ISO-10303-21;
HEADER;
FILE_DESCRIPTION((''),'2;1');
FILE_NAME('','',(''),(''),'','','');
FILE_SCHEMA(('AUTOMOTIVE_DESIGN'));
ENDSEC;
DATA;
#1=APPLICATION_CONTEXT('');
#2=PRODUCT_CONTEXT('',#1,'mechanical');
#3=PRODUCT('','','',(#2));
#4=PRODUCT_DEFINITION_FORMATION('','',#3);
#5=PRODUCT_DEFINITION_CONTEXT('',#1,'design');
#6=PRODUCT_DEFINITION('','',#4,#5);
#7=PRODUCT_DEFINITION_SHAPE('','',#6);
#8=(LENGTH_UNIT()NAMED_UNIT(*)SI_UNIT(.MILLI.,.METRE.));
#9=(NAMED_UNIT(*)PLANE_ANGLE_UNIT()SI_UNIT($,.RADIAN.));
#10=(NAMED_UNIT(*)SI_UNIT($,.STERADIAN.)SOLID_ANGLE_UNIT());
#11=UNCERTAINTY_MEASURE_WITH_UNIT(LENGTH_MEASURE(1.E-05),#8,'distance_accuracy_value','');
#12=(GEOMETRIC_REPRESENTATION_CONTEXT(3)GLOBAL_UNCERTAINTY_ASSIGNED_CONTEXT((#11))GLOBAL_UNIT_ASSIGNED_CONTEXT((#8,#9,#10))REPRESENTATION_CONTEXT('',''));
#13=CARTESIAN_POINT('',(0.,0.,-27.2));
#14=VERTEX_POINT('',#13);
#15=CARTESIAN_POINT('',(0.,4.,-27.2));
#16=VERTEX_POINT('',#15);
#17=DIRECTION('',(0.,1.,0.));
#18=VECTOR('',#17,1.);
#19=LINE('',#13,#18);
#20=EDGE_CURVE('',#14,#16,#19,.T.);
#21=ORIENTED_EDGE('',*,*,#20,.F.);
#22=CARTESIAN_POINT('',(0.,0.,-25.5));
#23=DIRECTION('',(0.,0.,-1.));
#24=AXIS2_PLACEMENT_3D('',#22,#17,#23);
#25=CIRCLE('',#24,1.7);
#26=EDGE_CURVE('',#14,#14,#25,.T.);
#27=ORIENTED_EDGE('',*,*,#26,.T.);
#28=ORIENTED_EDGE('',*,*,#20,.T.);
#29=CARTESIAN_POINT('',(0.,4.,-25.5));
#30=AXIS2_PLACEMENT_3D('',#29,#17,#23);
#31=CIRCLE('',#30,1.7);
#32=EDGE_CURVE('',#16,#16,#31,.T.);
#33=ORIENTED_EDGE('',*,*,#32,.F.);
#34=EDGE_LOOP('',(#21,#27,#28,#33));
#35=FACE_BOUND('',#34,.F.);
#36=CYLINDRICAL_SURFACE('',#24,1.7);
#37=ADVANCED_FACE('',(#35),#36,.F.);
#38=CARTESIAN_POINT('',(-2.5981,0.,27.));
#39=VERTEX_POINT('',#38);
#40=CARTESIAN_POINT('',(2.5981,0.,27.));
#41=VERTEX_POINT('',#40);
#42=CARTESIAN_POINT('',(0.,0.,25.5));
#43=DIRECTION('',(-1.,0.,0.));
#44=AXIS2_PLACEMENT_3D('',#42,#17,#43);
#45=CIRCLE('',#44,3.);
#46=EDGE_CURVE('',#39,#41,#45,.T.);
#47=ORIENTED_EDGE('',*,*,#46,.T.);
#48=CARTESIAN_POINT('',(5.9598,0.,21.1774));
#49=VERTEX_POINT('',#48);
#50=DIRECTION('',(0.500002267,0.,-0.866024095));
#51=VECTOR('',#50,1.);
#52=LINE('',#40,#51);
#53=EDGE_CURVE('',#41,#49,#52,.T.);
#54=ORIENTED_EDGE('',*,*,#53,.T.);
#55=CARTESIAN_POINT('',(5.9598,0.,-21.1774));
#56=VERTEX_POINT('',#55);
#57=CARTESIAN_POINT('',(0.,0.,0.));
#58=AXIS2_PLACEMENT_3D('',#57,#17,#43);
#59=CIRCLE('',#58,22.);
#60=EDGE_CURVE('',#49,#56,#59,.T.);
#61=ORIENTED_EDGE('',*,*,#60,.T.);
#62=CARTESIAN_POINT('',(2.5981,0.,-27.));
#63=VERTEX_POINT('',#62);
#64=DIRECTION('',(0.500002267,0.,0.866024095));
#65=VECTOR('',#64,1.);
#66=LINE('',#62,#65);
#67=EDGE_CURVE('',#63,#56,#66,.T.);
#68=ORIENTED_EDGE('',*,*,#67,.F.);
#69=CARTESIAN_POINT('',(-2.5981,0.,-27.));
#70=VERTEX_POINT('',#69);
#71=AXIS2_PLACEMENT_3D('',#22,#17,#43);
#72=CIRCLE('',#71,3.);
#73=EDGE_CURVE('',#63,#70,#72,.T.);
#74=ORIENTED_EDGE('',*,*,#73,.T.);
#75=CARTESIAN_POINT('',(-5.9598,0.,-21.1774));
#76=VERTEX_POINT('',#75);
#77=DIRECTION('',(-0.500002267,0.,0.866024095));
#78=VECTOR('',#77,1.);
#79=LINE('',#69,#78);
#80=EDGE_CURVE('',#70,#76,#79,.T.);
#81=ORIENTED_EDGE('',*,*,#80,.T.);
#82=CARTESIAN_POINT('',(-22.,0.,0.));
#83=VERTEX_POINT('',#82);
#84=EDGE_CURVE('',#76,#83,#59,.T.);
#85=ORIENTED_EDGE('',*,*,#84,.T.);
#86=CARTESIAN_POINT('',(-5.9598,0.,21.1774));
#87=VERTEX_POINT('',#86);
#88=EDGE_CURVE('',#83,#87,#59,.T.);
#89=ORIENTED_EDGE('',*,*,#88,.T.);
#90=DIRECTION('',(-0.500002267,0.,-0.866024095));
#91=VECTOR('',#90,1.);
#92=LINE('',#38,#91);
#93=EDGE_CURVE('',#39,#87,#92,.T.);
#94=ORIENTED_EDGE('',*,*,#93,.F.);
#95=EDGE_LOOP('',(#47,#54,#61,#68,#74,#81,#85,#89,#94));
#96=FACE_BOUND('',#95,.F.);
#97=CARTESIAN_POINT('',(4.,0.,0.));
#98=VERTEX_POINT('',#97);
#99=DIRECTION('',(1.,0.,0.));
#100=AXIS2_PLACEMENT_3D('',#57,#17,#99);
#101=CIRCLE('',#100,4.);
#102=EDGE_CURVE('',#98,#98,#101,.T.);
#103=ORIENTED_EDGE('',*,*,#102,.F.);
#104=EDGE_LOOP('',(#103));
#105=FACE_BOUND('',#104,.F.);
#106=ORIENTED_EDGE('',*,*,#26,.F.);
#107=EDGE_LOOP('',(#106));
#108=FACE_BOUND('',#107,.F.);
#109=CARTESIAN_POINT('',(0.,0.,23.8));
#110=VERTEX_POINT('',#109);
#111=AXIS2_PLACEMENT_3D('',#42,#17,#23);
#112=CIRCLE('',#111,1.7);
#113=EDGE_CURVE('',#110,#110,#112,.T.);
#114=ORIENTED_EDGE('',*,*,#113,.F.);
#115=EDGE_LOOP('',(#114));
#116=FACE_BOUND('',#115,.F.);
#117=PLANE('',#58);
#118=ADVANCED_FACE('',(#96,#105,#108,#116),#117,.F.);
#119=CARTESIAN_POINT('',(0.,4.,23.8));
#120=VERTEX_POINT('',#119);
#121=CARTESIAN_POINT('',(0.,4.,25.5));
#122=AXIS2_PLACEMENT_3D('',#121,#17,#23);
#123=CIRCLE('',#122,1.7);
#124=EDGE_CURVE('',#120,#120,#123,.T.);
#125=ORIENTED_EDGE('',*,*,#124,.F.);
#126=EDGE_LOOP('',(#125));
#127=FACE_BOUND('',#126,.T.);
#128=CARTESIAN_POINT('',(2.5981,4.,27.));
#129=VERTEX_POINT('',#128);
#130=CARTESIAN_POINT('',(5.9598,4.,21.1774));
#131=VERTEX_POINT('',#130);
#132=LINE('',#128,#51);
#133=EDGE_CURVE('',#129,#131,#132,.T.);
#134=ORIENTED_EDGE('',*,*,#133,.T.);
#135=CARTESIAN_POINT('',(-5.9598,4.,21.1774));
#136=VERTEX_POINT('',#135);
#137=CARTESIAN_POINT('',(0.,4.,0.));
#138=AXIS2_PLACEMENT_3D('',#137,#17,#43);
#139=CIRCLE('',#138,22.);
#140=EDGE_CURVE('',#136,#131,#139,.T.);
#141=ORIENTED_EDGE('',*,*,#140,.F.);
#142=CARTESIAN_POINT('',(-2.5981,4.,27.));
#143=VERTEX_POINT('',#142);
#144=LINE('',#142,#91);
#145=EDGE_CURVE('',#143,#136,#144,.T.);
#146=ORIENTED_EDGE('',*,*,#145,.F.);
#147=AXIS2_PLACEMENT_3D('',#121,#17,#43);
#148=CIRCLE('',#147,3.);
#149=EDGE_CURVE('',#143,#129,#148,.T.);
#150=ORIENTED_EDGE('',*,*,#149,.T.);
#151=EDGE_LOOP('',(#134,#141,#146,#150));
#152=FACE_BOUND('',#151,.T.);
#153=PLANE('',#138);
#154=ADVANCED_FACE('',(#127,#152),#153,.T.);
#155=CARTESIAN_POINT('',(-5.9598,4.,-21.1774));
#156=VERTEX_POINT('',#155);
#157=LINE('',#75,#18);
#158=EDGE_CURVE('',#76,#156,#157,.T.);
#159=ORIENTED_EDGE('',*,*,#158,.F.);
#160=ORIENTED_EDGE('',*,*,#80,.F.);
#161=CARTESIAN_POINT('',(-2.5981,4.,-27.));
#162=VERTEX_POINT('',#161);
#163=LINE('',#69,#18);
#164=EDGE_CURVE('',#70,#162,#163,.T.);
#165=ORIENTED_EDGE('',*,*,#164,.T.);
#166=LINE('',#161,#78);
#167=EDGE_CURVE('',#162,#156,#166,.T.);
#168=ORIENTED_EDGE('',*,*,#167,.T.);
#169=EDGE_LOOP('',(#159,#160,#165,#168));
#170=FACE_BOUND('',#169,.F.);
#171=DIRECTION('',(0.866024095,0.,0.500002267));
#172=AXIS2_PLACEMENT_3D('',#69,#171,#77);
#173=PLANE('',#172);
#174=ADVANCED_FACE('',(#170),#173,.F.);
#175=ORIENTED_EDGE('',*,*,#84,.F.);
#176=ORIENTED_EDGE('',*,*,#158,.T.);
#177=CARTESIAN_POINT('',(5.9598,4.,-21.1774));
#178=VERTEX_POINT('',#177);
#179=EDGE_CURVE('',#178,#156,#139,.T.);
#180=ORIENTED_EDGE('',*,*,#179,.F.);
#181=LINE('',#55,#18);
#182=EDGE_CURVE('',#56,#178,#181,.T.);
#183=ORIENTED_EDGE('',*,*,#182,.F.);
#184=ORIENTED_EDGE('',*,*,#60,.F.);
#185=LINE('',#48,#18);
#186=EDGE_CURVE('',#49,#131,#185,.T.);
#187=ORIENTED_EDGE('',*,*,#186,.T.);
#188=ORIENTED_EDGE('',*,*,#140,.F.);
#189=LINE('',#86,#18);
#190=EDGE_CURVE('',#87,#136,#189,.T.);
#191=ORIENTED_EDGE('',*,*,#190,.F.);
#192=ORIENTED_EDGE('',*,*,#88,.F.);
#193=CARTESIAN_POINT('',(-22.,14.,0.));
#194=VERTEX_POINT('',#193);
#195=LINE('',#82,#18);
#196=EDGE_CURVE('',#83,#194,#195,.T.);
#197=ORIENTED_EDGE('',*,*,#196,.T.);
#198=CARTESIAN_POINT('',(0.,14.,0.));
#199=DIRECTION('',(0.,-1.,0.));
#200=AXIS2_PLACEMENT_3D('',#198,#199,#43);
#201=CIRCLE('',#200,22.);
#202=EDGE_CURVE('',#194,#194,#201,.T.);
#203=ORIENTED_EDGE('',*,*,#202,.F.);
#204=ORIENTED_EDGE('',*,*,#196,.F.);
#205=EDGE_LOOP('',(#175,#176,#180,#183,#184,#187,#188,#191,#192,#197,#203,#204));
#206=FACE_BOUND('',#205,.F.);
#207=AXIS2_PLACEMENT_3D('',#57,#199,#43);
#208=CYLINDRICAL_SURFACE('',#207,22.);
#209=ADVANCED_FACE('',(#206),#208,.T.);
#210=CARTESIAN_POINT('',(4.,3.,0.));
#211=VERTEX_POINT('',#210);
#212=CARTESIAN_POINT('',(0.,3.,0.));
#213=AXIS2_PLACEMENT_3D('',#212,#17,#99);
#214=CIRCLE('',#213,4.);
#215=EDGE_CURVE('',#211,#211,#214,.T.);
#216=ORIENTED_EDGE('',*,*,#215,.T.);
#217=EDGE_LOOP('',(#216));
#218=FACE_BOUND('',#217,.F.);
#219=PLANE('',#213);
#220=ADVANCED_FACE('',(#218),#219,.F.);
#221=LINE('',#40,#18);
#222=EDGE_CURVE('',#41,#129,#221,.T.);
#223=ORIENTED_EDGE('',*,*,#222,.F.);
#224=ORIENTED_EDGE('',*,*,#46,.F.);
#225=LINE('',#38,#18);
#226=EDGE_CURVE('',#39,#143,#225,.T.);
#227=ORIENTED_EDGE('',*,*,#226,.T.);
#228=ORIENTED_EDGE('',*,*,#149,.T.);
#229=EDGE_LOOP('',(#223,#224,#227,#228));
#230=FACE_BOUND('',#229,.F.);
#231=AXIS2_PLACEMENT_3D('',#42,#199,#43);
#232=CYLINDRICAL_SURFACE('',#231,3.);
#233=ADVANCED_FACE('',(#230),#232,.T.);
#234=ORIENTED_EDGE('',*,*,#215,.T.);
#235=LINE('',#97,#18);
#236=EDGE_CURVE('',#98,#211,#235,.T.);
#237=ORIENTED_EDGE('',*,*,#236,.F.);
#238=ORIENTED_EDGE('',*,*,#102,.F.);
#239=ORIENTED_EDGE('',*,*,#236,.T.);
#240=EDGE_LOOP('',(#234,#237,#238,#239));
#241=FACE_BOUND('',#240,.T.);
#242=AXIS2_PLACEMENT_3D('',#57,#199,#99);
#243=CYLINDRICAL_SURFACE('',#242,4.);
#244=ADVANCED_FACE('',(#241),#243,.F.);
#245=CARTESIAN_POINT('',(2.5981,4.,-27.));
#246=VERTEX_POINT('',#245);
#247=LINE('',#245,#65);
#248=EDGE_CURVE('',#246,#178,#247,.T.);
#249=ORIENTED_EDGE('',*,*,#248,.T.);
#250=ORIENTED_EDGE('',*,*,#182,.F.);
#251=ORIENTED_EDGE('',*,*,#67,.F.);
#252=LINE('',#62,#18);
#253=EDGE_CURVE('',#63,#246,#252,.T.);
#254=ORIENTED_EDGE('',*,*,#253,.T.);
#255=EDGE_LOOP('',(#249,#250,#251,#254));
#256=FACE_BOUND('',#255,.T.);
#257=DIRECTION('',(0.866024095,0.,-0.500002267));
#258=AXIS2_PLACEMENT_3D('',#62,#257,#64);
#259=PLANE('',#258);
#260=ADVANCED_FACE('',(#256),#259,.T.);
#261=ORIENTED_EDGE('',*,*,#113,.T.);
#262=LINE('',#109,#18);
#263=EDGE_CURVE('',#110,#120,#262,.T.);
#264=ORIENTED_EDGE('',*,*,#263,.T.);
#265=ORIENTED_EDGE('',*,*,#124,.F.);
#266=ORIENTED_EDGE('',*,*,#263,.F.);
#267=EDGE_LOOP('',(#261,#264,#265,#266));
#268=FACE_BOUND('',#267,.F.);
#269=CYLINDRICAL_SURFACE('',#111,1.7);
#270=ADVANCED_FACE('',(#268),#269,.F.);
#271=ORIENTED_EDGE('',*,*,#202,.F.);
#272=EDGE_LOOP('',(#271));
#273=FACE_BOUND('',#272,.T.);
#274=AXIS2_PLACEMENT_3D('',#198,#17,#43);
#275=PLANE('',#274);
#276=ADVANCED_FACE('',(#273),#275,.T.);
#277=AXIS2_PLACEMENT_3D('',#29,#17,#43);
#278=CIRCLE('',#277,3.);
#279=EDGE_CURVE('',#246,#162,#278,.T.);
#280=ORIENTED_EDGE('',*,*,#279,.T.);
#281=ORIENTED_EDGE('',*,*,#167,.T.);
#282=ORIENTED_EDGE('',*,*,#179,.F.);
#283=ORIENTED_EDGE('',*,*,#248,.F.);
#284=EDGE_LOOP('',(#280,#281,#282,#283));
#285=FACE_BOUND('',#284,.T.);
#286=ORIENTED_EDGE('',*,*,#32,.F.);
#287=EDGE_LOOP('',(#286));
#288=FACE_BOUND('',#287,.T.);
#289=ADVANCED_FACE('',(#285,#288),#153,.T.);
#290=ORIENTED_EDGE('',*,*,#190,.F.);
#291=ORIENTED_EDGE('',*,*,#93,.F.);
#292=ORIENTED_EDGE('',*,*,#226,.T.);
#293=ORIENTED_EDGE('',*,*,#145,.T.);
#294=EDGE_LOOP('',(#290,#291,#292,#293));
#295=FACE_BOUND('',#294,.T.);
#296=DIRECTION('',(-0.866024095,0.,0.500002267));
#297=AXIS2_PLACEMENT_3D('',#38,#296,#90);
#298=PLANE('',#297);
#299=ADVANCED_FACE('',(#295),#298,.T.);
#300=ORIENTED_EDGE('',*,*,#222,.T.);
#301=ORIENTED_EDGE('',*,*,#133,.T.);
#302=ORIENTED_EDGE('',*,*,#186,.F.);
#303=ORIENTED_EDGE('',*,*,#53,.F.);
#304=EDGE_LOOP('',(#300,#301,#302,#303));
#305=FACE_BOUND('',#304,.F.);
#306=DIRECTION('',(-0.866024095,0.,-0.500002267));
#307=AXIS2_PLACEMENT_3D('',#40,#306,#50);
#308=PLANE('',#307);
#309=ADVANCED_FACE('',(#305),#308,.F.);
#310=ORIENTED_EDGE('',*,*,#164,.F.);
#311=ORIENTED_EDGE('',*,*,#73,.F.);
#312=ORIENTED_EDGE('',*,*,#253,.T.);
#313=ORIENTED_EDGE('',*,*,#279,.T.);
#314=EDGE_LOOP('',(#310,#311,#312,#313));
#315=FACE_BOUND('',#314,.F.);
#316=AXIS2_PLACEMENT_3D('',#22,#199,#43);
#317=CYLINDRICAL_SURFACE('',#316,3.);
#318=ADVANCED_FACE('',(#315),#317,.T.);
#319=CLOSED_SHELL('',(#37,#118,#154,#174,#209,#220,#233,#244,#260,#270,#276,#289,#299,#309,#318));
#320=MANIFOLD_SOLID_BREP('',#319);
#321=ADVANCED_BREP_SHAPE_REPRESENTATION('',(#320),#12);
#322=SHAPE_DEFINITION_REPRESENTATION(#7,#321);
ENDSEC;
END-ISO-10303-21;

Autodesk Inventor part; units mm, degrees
ref_plane "YZ Plane" through (0, 0, 0) normal (1, 0, 0) x (0, 1, 0)
ref_plane "XZ Plane" through (0, 0, 0) normal (0, 1, 0) x (-1, 0, 0)
ref_plane "XY Plane" through (0, 0, 0) normal (0, 0, 1) x (1, 0, 0)
sketch "Sketch1" plane through (0, 0, 0) normal (0, 1, 0) x (-1, 0, 0)
  circle A0 centre (0, 0) radius 22
  circle A1 centre (0, -25.5) radius 3
  line L0 (2.5981, -27) -> (5.9598, -21.1774)
  line L1 (-2.5981, -27) -> (-5.9598, -21.1774)
  line L2 (30.8, 0) -> (-30.8, 0) projected
  circle A2 centre (0, 25.5) radius 3
  line L3 (2.5981, 27) -> (5.9598, 21.1774)
  line L4 (-2.5981, 27) -> (-5.9598, 21.1774)
  point P0 (5.9598, 21.1774)
  point P1 (-5.9598, 21.1774)
  dimension "d0" = 44
  dimension "d1" = 60
  dimension "d2" = 6
  dimension "d3" = 51
extrude "Extrusion1" add sketch "Sketch1" along normal blind 14 contours L2 A0 | A0 L2
extrude "Extrusion2" add sketch "Sketch1" along normal blind 4 contours A0 L4 A2 L3 | L0 A1 L1 A0 | A2 | A1
hole "Hole1" at (0, 0, -25.5) at (0, 0, 25.5) direction (0, 1, 0) diameter 3.4 depth 4 clearance for "Socket Head Cap Screw ISO 4762" size "M3" standard "ISO"
sketch "Sketch2" plane through (0, 0, 0) normal (0, 1, 0) x (1, 0, 0)
  circle A0 centre (0, 0) radius 4
  dimension "d15" = 8
extrude "Extrusion3" cut sketch "Sketch2" along normal blind 3
properties part number "speaker"
